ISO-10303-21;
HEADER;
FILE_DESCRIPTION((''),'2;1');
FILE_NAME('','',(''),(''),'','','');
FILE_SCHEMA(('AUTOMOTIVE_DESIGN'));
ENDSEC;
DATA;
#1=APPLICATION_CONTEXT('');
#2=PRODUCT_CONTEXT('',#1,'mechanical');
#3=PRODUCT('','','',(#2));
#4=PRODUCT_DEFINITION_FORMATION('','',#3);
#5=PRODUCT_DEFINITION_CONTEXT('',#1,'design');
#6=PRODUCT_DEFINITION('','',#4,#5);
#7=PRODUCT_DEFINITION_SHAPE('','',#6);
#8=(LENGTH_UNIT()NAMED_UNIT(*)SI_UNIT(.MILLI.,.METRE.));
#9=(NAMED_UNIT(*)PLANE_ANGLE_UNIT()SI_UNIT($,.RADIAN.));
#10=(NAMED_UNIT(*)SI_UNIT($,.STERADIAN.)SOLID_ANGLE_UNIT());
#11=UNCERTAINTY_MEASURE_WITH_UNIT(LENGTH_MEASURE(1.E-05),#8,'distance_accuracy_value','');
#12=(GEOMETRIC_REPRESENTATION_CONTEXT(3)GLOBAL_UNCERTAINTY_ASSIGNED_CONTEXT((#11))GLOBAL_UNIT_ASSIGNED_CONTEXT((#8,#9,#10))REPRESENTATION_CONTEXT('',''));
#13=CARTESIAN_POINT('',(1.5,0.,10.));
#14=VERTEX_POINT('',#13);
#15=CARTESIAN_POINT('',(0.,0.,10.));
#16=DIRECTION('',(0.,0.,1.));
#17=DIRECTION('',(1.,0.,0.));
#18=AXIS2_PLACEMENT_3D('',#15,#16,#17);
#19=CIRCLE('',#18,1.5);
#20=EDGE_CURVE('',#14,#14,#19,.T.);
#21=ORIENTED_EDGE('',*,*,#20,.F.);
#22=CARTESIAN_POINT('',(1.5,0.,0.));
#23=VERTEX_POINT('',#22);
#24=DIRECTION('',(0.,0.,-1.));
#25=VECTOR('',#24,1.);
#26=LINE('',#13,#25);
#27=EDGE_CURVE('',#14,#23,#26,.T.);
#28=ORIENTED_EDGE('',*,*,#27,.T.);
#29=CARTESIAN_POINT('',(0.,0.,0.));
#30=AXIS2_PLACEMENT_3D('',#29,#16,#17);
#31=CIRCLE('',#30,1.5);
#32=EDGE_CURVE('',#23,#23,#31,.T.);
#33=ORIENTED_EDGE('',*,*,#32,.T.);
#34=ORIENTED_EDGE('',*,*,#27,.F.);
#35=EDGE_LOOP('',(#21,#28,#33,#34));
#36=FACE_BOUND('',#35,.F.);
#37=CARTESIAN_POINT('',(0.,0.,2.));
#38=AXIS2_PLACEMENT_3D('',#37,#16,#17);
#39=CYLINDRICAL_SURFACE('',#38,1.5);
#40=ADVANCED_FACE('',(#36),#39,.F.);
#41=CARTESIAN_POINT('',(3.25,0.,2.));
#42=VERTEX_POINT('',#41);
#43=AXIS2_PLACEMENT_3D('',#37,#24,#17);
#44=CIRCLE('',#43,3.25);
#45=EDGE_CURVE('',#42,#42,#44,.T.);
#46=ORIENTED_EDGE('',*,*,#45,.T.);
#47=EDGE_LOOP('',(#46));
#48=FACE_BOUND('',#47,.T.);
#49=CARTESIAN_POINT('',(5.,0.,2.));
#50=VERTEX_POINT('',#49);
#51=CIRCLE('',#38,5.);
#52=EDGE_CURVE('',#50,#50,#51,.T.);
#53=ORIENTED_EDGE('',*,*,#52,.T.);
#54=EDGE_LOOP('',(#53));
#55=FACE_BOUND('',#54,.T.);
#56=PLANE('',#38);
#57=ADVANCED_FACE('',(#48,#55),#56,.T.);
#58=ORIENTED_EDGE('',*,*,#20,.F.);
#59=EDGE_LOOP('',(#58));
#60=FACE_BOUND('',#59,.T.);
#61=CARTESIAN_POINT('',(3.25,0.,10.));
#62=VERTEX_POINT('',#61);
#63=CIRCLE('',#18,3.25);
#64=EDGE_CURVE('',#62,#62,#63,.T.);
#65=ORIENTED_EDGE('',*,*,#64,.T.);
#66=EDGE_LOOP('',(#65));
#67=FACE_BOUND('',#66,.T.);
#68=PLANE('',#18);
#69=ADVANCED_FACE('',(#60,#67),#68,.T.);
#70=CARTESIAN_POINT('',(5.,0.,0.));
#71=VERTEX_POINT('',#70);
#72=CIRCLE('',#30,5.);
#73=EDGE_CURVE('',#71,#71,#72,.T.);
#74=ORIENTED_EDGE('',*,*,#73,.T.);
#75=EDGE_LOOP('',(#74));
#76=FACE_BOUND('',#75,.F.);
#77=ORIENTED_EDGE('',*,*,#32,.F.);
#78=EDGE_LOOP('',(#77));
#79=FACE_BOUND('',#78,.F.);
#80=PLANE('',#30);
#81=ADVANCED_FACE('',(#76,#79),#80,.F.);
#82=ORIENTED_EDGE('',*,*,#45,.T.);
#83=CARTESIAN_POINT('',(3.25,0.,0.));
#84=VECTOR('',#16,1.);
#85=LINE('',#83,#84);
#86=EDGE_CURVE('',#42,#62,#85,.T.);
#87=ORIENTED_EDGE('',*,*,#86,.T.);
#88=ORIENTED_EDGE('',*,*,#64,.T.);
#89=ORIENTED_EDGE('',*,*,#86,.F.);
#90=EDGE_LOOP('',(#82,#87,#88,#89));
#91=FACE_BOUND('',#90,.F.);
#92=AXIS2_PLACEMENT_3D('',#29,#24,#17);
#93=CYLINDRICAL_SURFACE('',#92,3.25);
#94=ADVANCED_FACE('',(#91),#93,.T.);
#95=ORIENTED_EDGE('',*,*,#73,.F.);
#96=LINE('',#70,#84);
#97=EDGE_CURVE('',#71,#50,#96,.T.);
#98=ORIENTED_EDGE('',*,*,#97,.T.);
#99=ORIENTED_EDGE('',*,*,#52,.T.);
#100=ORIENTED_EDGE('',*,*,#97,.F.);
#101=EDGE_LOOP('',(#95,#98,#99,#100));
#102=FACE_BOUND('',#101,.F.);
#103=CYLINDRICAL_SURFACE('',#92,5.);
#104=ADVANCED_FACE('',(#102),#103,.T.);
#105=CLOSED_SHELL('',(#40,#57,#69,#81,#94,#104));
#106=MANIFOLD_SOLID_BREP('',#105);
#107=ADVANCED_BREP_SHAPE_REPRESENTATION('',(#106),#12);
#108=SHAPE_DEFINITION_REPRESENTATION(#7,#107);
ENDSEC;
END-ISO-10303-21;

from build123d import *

# Parameters (mm, degrees)
F0_R      = 3.25
F0_R_2    = 1.5
F1_DEPTH  = 10
F2_R      = 5
F3_DEPTH  = 2
F3_FACE_R = 1.5
F4_DEPTH  = 25


with BuildPart() as f1:
    # F0 (on Top) → F1 (new body)
    with BuildSketch(Plane.XY):
        Circle(F0_R)
        Circle(F0_R_2, mode=Mode.SUBTRACT)
    extrude(amount=F1_DEPTH)

    # F2 (on Top) → F3 (join)
    with BuildSketch(Plane.XY):
        Circle(F2_R)
    extrude(amount=F3_DEPTH)

    # F3_face (on face) → F4 (cut)
    with BuildSketch(Plane.XY.offset(2)):
        Circle(F3_FACE_R)
    extrude(amount=-F4_DEPTH, mode=Mode.SUBTRACT)


solid = f1.part
